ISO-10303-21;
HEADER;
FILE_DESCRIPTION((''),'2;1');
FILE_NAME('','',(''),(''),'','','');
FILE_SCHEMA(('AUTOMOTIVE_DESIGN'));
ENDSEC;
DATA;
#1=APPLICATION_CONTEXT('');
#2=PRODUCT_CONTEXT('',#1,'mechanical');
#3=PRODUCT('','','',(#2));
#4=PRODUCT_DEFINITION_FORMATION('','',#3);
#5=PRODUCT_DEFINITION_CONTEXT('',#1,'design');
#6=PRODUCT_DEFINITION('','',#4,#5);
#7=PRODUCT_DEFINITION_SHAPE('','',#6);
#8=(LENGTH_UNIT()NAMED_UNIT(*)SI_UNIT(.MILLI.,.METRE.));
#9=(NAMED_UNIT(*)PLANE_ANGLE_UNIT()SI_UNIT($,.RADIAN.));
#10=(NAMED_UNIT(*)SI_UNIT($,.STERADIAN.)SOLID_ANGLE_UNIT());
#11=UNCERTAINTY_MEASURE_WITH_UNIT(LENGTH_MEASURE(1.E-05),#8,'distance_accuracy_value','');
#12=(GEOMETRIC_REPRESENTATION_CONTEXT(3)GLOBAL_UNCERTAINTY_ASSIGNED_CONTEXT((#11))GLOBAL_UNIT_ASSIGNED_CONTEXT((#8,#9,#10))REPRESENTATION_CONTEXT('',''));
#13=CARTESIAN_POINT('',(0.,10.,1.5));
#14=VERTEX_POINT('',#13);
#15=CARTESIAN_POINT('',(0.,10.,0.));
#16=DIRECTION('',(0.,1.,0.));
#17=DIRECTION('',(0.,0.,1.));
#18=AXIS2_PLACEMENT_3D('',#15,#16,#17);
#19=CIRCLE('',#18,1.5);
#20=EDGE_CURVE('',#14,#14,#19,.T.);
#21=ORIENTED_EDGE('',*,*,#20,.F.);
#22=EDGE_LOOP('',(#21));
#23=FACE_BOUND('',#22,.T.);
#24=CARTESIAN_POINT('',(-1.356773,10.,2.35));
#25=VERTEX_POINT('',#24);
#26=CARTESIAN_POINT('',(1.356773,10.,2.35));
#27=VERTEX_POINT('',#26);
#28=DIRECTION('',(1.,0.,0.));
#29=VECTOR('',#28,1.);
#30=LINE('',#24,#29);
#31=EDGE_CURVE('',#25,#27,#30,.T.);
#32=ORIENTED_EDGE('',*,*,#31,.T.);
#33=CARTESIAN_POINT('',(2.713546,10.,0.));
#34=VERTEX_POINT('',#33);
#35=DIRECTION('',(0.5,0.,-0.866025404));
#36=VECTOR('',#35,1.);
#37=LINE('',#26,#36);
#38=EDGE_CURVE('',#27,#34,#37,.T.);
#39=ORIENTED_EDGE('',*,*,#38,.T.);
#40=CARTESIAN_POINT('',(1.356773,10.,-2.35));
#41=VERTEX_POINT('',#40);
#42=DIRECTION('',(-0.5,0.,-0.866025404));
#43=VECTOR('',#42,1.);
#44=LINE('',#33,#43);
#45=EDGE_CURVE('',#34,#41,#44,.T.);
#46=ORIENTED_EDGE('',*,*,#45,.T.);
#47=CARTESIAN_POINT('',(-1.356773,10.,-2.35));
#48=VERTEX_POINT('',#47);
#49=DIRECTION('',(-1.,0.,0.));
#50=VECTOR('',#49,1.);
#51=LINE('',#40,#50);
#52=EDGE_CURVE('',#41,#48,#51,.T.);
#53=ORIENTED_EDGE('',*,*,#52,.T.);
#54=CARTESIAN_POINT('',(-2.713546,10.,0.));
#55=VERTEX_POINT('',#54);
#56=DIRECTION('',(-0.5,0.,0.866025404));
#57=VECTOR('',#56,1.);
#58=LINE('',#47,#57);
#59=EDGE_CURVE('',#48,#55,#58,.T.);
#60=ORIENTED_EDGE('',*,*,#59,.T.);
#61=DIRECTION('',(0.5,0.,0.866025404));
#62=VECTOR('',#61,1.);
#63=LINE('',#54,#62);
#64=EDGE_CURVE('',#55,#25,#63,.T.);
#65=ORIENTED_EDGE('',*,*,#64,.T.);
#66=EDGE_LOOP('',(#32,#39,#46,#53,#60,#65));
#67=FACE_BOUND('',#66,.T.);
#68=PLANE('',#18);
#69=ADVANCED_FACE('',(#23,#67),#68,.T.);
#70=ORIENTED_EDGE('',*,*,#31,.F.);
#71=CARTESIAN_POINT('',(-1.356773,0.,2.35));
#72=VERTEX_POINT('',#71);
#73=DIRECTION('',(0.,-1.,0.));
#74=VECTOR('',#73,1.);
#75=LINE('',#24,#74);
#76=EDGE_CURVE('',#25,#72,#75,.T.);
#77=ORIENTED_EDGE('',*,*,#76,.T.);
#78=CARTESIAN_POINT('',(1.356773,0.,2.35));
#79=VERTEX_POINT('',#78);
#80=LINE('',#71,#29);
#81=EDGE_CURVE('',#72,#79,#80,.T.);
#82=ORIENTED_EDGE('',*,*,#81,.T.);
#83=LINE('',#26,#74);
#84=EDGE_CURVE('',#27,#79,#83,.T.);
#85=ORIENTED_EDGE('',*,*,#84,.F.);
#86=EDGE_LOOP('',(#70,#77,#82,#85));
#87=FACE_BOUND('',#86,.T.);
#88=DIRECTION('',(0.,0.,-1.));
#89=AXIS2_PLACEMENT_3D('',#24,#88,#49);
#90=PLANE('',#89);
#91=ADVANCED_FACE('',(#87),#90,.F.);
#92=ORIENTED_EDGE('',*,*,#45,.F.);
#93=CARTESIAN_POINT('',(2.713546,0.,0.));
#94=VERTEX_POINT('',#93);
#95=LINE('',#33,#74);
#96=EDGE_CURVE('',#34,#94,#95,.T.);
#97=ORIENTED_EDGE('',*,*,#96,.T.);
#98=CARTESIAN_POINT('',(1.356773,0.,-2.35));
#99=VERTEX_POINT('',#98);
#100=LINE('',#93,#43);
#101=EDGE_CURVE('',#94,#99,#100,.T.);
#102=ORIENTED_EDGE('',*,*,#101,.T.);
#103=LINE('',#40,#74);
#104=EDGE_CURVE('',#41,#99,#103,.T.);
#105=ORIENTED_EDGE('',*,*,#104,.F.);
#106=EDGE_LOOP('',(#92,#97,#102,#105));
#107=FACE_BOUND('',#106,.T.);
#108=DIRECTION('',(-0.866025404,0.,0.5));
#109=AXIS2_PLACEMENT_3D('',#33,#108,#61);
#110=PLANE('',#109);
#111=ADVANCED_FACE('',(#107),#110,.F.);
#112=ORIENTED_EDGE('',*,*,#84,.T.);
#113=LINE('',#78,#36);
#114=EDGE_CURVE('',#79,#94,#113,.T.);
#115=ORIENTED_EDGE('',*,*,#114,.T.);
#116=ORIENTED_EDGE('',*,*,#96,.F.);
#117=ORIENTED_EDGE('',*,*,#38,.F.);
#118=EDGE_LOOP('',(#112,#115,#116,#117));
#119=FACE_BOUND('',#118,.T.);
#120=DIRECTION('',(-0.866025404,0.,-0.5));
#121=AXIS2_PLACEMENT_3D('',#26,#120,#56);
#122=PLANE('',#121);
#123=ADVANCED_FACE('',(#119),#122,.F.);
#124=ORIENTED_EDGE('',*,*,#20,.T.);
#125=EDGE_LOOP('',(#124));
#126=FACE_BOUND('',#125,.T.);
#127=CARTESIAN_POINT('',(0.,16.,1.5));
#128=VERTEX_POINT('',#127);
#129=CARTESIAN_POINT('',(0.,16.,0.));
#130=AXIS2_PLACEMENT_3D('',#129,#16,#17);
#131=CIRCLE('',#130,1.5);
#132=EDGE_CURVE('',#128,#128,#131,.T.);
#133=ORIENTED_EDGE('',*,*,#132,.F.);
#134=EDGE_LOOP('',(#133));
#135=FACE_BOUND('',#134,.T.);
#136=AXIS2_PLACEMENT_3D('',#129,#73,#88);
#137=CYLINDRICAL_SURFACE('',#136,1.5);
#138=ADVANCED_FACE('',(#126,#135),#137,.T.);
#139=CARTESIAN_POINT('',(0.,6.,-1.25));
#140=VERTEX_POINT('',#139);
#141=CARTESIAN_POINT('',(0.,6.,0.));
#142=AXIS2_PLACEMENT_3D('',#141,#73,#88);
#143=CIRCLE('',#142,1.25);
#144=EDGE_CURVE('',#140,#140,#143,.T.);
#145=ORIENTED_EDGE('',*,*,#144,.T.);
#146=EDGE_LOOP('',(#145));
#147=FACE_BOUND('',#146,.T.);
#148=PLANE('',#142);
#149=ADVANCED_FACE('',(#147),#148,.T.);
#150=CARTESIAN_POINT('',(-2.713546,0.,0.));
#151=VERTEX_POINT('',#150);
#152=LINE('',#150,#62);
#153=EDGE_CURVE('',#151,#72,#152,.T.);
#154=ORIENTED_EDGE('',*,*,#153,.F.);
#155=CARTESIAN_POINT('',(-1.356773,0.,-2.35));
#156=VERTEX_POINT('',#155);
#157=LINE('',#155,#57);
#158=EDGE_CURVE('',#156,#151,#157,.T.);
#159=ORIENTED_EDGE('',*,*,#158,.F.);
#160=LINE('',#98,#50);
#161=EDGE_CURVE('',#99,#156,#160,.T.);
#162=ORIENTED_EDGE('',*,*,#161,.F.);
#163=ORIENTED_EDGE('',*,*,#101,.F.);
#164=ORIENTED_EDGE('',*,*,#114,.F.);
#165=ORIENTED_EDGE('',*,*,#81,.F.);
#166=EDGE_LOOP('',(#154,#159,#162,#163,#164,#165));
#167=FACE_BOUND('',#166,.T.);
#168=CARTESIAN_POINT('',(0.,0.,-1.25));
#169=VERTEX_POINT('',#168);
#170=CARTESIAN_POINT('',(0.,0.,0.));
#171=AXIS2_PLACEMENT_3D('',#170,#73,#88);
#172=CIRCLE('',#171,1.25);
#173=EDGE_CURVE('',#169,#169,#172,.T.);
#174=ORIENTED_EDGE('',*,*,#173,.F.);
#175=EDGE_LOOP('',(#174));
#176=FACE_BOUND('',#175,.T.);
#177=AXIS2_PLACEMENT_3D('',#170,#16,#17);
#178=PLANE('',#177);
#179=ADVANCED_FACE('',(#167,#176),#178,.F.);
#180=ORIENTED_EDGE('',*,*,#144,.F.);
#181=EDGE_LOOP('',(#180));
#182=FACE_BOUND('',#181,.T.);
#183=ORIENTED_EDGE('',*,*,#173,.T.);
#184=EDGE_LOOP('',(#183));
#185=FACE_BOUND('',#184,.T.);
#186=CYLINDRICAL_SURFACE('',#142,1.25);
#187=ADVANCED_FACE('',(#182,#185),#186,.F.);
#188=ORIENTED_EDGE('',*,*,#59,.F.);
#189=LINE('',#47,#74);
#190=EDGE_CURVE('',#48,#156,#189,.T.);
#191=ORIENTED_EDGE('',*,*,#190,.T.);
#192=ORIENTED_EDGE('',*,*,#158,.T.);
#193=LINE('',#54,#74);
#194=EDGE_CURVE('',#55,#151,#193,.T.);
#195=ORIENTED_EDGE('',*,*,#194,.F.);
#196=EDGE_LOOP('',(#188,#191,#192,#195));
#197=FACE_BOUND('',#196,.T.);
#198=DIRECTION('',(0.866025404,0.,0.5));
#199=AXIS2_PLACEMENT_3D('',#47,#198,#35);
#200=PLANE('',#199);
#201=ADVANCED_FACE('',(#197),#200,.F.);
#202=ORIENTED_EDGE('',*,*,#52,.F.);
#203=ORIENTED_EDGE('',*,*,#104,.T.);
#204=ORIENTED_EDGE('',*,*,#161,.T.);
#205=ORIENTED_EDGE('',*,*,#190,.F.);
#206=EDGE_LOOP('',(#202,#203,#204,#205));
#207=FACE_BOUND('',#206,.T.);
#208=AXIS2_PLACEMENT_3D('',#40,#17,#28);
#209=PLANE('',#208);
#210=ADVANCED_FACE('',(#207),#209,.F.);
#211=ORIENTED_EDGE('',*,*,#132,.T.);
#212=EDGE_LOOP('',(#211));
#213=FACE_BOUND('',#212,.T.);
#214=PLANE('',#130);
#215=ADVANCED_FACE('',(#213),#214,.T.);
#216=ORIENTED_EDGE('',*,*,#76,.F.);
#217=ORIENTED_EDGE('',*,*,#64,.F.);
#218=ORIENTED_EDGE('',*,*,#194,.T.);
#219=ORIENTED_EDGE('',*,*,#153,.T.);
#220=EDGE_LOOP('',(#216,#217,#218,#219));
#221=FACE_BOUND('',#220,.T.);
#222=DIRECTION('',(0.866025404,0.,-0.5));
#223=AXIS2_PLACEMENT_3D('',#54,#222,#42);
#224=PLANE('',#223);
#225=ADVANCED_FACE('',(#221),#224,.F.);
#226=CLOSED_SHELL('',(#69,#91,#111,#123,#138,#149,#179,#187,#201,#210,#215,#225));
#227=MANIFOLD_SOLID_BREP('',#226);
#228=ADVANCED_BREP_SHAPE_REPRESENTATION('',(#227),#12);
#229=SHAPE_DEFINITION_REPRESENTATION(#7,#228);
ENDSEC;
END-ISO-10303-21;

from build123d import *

# Parameters (mm, degrees)
BOSS_EXTRUDE1_DEPTH = 10
SKETCH2_R           = 1.5
BOSS_EXTRUDE2_DEPTH = 6
SKETCH3_R           = 1.25
CUT_EXTRUDE1_DEPTH  = 6


with BuildPart() as part:
    # Sketch1 → Boss-Extrude1 (new body)
    with BuildSketch(Plane(origin=(0, 0, 0), x_dir=(1, 0, 0), z_dir=(0, 1, 0))):
        Polygon((2.713546265, 0), (1.356773133, 2.35), (-1.356773133, 2.35), (-2.713546265, 0), (-1.356773133, -2.35), (1.356773133, -2.35), align=None)
    extrude(amount=BOSS_EXTRUDE1_DEPTH)

    # Sketch2 → Boss-Extrude2 (add)
    with BuildSketch(Plane(origin=(0, 10, 0), x_dir=(1, 0, 0), z_dir=(0, 1, 0))):
        Circle(SKETCH2_R)
    extrude(amount=BOSS_EXTRUDE2_DEPTH)

    # Sketch3 → Cut-Extrude1 (cut)
    with BuildSketch(Plane.XZ):
        Circle(SKETCH3_R)
    extrude(amount=-CUT_EXTRUDE1_DEPTH, mode=Mode.SUBTRACT)


solid = part.part
